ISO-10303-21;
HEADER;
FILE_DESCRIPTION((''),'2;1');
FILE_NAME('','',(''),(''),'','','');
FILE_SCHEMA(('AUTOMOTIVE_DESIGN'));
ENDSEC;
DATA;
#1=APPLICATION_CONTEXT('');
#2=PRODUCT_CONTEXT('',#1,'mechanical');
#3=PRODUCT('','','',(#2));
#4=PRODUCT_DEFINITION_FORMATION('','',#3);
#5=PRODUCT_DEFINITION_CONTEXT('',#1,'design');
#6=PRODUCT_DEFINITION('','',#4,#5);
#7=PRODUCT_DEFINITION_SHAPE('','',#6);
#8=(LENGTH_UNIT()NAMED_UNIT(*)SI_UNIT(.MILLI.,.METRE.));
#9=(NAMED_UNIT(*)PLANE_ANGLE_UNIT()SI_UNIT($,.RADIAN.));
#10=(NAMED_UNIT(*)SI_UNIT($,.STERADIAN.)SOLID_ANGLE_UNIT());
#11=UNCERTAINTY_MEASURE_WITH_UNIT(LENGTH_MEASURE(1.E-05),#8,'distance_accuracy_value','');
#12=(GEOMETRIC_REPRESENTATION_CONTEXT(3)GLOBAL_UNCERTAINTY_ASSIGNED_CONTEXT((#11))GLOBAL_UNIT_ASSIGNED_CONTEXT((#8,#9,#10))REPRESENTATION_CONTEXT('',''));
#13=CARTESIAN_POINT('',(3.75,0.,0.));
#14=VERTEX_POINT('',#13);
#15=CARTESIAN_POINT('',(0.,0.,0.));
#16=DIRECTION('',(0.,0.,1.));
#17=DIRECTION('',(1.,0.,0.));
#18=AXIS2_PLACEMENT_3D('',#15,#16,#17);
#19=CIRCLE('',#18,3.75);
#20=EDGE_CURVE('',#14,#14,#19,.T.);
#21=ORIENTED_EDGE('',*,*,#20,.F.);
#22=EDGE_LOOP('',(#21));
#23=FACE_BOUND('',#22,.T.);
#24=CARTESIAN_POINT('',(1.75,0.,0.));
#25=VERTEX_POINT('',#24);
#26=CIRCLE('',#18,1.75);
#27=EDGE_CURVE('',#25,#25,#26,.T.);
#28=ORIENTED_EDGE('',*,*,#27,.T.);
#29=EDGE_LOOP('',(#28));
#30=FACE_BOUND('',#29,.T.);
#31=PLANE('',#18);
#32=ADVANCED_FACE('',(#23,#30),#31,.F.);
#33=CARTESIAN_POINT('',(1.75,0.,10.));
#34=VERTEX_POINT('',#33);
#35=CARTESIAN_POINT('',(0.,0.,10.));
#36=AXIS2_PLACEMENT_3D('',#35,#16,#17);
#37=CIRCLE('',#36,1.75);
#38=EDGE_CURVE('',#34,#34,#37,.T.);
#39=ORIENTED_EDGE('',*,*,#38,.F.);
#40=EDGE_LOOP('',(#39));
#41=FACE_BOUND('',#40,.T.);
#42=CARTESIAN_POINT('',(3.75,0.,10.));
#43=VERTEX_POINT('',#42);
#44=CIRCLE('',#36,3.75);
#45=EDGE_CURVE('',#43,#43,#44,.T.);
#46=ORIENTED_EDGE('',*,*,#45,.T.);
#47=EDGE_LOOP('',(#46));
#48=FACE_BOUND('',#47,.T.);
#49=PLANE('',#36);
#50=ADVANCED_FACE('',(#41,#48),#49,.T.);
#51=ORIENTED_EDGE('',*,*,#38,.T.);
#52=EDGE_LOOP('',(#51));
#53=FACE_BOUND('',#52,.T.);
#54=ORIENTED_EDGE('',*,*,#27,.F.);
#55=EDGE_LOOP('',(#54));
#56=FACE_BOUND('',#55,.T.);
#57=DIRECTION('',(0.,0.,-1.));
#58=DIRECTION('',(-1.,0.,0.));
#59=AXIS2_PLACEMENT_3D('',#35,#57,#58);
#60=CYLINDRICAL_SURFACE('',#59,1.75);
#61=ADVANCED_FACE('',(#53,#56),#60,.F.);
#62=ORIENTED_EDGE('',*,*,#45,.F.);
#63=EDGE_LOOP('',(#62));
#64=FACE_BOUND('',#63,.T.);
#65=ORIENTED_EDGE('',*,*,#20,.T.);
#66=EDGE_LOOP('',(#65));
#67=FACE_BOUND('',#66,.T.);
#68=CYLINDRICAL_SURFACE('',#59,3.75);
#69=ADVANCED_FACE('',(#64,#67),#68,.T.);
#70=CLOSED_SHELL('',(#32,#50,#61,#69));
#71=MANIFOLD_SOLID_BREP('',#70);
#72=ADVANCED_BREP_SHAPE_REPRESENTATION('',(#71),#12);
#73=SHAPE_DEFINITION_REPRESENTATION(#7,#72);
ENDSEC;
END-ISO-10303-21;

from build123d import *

# Parameters (mm, degrees)
ESQUISSE1_R        = 3.75
ESQUISSE1_R_2      = 1.75
BOSS_EXTRU_1_DEPTH = 10


with BuildPart() as part:
    # Esquisse1 → Boss.-Extru.1 (new body)
    with BuildSketch(Plane.XY):
        Circle(ESQUISSE1_R)
        Circle(ESQUISSE1_R_2, mode=Mode.SUBTRACT)
    extrude(amount=BOSS_EXTRU_1_DEPTH)


solid = part.part
